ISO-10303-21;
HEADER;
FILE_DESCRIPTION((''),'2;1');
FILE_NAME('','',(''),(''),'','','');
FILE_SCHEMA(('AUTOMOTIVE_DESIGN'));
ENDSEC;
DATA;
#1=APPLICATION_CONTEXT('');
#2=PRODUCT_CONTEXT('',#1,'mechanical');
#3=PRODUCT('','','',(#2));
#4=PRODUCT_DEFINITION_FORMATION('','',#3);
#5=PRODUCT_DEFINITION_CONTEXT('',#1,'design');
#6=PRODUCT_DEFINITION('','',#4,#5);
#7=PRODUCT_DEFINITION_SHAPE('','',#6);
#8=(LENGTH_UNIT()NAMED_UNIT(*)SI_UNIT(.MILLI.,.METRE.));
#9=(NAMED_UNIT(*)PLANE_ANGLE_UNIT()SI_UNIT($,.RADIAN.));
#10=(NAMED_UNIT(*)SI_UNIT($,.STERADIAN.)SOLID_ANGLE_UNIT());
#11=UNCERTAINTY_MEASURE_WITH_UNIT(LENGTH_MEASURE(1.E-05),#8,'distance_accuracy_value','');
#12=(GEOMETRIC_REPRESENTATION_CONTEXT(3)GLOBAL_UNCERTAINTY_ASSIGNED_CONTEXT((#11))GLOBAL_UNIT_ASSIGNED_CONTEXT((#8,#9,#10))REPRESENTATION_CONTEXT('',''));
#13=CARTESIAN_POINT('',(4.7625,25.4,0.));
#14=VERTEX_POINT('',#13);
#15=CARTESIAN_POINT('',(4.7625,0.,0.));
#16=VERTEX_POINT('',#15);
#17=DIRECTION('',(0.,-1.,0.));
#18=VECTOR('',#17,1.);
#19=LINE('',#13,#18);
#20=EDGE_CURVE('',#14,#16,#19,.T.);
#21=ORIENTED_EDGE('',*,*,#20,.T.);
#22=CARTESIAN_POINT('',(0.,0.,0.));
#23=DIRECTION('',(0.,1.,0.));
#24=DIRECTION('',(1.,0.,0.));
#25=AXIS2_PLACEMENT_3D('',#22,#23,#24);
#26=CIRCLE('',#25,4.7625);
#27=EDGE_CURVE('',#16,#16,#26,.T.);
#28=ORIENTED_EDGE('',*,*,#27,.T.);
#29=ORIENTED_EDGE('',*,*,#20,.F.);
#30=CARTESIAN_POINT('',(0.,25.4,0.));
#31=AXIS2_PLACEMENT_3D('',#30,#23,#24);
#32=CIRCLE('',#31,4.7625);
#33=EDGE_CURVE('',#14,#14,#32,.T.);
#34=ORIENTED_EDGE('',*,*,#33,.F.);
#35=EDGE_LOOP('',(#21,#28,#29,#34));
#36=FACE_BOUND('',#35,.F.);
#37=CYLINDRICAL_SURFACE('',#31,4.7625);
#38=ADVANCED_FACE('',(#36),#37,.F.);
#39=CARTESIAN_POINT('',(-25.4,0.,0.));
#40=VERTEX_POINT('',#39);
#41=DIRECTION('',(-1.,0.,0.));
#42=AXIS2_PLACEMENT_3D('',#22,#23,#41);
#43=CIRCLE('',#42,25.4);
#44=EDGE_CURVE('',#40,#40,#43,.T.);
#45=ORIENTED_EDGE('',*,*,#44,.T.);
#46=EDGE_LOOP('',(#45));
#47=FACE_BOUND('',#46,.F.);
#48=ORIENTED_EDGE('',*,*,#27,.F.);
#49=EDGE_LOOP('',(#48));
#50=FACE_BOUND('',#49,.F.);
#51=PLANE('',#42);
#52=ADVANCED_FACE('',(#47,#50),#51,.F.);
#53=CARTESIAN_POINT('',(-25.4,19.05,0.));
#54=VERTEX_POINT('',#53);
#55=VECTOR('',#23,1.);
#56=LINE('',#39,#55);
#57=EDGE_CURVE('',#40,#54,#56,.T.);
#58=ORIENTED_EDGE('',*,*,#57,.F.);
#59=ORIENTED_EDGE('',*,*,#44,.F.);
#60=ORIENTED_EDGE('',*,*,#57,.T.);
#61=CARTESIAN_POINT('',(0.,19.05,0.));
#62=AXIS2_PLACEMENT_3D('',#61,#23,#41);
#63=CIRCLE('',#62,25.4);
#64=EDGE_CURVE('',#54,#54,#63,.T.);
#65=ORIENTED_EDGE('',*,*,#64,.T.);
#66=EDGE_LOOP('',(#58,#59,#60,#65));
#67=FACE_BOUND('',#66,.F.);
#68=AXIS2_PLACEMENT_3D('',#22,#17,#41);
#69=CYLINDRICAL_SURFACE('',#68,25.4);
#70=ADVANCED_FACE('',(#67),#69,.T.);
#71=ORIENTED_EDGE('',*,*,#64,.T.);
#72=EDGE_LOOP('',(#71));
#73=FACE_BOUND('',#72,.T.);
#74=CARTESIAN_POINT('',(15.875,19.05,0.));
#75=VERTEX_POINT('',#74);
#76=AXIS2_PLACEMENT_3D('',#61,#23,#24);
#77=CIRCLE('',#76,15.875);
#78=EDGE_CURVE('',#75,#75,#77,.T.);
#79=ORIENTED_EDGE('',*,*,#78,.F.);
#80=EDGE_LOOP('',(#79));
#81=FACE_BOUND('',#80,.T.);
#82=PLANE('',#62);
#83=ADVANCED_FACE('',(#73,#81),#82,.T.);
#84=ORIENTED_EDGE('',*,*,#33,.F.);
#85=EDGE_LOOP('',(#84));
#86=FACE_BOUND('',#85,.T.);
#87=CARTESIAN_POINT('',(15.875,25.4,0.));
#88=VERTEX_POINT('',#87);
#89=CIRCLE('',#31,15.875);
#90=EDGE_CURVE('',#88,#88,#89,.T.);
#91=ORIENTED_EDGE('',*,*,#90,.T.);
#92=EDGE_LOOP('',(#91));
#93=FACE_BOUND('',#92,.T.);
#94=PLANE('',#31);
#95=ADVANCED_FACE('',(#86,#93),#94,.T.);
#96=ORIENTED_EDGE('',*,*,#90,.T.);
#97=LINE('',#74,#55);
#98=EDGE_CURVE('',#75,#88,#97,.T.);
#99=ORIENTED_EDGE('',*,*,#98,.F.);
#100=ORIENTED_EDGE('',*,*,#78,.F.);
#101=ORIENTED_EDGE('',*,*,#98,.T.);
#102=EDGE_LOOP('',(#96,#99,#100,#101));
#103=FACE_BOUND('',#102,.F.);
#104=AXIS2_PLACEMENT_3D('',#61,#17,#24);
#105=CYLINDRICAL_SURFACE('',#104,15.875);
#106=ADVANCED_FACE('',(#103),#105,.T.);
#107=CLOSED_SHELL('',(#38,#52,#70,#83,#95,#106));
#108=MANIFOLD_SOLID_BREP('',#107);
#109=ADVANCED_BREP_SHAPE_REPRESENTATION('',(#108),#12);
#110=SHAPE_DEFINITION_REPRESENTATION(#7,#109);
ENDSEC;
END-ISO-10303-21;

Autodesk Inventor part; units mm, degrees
ref_plane "YZ Plane" through (0, 0, 0) normal (1, 0, 0) x (0, 1, 0)
ref_plane "XZ Plane" through (0, 0, 0) normal (0, 1, 0) x (-1, 0, 0)
ref_plane "XY Plane" through (0, 0, 0) normal (0, 0, 1) x (1, 0, 0)
sketch "Sketch1" plane through (0, 0, 0) normal (0, 1, 0) x (-1, 0, 0)
  circle A0 centre (0, 0) radius 25.4
  dimension "d0" = 50.8
extrude "Extrusion1" add sketch "Sketch1" along normal blind 19.05
sketch "Sketch2" plane through (0, 19.05, 0) normal (0, 1, 0) x (1, 0, 0)
  circle A0 centre (0, 0) radius 15.875
  dimension "d3" = 31.75
extrude "Extrusion2" add sketch "Sketch2" along normal blind 6.35
sketch "Sketch3" plane through (0, 25.4, 0) normal (0, 1, 0) x (1, 0, 0)
  circle A0 centre (0, 0) radius 4.7625
  dimension "d6" = 9.525
extrude "Extrusion3" cut sketch "Sketch3" along normal blind 31.75
sketch "Sketch4" plane through (0, 25.4, 0) normal (0, 1, 0) x (1, 0, 0)
  circle A0 centre (0, 0) radius 4.7625
  dimension "d9" = 9.525
extrude "Extrusion4" cut sketch "Sketch4" against normal blind 31.75
properties part number "2 inch Diameter Belt Gear"
